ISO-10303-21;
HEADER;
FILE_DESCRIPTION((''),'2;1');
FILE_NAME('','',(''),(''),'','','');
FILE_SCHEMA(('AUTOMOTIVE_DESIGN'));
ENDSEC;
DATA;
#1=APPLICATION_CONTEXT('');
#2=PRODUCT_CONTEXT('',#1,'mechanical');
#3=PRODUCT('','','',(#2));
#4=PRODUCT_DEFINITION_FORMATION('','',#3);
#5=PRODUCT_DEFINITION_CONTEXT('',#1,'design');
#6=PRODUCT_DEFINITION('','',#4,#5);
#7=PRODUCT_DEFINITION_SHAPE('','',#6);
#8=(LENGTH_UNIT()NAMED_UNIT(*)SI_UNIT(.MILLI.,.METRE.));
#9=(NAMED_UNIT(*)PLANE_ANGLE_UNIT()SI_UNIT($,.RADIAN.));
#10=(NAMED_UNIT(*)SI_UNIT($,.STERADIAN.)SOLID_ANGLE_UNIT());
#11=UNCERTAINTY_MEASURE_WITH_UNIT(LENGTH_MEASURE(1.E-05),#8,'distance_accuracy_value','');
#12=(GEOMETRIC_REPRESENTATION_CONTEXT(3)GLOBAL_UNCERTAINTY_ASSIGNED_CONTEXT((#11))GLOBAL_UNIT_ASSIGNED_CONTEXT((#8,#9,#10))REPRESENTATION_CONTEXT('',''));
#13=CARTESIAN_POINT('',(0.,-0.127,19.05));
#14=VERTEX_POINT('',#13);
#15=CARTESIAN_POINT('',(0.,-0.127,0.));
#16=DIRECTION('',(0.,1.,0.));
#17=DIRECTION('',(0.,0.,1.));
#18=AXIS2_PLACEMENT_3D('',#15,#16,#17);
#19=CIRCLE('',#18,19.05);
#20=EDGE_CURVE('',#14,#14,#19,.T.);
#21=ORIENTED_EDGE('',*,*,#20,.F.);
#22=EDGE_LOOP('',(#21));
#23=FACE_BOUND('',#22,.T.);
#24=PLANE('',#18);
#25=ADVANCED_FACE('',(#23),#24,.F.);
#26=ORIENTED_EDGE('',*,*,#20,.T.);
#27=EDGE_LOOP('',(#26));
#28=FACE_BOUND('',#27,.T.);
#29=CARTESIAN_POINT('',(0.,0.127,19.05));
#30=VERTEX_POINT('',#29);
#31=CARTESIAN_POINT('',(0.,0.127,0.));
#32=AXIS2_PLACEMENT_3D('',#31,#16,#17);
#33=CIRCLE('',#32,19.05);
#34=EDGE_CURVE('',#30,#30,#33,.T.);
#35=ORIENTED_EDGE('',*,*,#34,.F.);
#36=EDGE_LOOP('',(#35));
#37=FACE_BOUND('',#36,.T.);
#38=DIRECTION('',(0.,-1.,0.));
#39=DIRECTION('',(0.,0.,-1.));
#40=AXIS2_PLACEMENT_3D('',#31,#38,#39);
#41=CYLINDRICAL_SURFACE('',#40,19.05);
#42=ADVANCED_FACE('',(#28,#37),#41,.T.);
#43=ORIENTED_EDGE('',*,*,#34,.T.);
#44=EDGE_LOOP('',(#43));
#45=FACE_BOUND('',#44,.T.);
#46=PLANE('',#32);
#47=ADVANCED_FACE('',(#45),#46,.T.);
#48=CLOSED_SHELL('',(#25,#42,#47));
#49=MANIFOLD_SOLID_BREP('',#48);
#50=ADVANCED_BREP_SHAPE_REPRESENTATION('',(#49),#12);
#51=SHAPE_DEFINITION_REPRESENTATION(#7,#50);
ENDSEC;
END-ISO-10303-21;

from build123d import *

# Parameters (mm, degrees)
SKETCH2_R           = 19.05
BOSS_EXTRUDE1_DEPTH = 0.127


with BuildPart() as part:
    # Sketch2 → Boss-Extrude1 (new, symmetric)
    with BuildSketch(Plane(origin=(0, 0, 0), x_dir=(1, 0, 0), z_dir=(0, 1, 0))):
        with Locations(Location((0, 0, 0), (0, 0, 270))):
            Circle(SKETCH2_R)
    extrude(amount=BOSS_EXTRUDE1_DEPTH, both=True)


solid = part.part
